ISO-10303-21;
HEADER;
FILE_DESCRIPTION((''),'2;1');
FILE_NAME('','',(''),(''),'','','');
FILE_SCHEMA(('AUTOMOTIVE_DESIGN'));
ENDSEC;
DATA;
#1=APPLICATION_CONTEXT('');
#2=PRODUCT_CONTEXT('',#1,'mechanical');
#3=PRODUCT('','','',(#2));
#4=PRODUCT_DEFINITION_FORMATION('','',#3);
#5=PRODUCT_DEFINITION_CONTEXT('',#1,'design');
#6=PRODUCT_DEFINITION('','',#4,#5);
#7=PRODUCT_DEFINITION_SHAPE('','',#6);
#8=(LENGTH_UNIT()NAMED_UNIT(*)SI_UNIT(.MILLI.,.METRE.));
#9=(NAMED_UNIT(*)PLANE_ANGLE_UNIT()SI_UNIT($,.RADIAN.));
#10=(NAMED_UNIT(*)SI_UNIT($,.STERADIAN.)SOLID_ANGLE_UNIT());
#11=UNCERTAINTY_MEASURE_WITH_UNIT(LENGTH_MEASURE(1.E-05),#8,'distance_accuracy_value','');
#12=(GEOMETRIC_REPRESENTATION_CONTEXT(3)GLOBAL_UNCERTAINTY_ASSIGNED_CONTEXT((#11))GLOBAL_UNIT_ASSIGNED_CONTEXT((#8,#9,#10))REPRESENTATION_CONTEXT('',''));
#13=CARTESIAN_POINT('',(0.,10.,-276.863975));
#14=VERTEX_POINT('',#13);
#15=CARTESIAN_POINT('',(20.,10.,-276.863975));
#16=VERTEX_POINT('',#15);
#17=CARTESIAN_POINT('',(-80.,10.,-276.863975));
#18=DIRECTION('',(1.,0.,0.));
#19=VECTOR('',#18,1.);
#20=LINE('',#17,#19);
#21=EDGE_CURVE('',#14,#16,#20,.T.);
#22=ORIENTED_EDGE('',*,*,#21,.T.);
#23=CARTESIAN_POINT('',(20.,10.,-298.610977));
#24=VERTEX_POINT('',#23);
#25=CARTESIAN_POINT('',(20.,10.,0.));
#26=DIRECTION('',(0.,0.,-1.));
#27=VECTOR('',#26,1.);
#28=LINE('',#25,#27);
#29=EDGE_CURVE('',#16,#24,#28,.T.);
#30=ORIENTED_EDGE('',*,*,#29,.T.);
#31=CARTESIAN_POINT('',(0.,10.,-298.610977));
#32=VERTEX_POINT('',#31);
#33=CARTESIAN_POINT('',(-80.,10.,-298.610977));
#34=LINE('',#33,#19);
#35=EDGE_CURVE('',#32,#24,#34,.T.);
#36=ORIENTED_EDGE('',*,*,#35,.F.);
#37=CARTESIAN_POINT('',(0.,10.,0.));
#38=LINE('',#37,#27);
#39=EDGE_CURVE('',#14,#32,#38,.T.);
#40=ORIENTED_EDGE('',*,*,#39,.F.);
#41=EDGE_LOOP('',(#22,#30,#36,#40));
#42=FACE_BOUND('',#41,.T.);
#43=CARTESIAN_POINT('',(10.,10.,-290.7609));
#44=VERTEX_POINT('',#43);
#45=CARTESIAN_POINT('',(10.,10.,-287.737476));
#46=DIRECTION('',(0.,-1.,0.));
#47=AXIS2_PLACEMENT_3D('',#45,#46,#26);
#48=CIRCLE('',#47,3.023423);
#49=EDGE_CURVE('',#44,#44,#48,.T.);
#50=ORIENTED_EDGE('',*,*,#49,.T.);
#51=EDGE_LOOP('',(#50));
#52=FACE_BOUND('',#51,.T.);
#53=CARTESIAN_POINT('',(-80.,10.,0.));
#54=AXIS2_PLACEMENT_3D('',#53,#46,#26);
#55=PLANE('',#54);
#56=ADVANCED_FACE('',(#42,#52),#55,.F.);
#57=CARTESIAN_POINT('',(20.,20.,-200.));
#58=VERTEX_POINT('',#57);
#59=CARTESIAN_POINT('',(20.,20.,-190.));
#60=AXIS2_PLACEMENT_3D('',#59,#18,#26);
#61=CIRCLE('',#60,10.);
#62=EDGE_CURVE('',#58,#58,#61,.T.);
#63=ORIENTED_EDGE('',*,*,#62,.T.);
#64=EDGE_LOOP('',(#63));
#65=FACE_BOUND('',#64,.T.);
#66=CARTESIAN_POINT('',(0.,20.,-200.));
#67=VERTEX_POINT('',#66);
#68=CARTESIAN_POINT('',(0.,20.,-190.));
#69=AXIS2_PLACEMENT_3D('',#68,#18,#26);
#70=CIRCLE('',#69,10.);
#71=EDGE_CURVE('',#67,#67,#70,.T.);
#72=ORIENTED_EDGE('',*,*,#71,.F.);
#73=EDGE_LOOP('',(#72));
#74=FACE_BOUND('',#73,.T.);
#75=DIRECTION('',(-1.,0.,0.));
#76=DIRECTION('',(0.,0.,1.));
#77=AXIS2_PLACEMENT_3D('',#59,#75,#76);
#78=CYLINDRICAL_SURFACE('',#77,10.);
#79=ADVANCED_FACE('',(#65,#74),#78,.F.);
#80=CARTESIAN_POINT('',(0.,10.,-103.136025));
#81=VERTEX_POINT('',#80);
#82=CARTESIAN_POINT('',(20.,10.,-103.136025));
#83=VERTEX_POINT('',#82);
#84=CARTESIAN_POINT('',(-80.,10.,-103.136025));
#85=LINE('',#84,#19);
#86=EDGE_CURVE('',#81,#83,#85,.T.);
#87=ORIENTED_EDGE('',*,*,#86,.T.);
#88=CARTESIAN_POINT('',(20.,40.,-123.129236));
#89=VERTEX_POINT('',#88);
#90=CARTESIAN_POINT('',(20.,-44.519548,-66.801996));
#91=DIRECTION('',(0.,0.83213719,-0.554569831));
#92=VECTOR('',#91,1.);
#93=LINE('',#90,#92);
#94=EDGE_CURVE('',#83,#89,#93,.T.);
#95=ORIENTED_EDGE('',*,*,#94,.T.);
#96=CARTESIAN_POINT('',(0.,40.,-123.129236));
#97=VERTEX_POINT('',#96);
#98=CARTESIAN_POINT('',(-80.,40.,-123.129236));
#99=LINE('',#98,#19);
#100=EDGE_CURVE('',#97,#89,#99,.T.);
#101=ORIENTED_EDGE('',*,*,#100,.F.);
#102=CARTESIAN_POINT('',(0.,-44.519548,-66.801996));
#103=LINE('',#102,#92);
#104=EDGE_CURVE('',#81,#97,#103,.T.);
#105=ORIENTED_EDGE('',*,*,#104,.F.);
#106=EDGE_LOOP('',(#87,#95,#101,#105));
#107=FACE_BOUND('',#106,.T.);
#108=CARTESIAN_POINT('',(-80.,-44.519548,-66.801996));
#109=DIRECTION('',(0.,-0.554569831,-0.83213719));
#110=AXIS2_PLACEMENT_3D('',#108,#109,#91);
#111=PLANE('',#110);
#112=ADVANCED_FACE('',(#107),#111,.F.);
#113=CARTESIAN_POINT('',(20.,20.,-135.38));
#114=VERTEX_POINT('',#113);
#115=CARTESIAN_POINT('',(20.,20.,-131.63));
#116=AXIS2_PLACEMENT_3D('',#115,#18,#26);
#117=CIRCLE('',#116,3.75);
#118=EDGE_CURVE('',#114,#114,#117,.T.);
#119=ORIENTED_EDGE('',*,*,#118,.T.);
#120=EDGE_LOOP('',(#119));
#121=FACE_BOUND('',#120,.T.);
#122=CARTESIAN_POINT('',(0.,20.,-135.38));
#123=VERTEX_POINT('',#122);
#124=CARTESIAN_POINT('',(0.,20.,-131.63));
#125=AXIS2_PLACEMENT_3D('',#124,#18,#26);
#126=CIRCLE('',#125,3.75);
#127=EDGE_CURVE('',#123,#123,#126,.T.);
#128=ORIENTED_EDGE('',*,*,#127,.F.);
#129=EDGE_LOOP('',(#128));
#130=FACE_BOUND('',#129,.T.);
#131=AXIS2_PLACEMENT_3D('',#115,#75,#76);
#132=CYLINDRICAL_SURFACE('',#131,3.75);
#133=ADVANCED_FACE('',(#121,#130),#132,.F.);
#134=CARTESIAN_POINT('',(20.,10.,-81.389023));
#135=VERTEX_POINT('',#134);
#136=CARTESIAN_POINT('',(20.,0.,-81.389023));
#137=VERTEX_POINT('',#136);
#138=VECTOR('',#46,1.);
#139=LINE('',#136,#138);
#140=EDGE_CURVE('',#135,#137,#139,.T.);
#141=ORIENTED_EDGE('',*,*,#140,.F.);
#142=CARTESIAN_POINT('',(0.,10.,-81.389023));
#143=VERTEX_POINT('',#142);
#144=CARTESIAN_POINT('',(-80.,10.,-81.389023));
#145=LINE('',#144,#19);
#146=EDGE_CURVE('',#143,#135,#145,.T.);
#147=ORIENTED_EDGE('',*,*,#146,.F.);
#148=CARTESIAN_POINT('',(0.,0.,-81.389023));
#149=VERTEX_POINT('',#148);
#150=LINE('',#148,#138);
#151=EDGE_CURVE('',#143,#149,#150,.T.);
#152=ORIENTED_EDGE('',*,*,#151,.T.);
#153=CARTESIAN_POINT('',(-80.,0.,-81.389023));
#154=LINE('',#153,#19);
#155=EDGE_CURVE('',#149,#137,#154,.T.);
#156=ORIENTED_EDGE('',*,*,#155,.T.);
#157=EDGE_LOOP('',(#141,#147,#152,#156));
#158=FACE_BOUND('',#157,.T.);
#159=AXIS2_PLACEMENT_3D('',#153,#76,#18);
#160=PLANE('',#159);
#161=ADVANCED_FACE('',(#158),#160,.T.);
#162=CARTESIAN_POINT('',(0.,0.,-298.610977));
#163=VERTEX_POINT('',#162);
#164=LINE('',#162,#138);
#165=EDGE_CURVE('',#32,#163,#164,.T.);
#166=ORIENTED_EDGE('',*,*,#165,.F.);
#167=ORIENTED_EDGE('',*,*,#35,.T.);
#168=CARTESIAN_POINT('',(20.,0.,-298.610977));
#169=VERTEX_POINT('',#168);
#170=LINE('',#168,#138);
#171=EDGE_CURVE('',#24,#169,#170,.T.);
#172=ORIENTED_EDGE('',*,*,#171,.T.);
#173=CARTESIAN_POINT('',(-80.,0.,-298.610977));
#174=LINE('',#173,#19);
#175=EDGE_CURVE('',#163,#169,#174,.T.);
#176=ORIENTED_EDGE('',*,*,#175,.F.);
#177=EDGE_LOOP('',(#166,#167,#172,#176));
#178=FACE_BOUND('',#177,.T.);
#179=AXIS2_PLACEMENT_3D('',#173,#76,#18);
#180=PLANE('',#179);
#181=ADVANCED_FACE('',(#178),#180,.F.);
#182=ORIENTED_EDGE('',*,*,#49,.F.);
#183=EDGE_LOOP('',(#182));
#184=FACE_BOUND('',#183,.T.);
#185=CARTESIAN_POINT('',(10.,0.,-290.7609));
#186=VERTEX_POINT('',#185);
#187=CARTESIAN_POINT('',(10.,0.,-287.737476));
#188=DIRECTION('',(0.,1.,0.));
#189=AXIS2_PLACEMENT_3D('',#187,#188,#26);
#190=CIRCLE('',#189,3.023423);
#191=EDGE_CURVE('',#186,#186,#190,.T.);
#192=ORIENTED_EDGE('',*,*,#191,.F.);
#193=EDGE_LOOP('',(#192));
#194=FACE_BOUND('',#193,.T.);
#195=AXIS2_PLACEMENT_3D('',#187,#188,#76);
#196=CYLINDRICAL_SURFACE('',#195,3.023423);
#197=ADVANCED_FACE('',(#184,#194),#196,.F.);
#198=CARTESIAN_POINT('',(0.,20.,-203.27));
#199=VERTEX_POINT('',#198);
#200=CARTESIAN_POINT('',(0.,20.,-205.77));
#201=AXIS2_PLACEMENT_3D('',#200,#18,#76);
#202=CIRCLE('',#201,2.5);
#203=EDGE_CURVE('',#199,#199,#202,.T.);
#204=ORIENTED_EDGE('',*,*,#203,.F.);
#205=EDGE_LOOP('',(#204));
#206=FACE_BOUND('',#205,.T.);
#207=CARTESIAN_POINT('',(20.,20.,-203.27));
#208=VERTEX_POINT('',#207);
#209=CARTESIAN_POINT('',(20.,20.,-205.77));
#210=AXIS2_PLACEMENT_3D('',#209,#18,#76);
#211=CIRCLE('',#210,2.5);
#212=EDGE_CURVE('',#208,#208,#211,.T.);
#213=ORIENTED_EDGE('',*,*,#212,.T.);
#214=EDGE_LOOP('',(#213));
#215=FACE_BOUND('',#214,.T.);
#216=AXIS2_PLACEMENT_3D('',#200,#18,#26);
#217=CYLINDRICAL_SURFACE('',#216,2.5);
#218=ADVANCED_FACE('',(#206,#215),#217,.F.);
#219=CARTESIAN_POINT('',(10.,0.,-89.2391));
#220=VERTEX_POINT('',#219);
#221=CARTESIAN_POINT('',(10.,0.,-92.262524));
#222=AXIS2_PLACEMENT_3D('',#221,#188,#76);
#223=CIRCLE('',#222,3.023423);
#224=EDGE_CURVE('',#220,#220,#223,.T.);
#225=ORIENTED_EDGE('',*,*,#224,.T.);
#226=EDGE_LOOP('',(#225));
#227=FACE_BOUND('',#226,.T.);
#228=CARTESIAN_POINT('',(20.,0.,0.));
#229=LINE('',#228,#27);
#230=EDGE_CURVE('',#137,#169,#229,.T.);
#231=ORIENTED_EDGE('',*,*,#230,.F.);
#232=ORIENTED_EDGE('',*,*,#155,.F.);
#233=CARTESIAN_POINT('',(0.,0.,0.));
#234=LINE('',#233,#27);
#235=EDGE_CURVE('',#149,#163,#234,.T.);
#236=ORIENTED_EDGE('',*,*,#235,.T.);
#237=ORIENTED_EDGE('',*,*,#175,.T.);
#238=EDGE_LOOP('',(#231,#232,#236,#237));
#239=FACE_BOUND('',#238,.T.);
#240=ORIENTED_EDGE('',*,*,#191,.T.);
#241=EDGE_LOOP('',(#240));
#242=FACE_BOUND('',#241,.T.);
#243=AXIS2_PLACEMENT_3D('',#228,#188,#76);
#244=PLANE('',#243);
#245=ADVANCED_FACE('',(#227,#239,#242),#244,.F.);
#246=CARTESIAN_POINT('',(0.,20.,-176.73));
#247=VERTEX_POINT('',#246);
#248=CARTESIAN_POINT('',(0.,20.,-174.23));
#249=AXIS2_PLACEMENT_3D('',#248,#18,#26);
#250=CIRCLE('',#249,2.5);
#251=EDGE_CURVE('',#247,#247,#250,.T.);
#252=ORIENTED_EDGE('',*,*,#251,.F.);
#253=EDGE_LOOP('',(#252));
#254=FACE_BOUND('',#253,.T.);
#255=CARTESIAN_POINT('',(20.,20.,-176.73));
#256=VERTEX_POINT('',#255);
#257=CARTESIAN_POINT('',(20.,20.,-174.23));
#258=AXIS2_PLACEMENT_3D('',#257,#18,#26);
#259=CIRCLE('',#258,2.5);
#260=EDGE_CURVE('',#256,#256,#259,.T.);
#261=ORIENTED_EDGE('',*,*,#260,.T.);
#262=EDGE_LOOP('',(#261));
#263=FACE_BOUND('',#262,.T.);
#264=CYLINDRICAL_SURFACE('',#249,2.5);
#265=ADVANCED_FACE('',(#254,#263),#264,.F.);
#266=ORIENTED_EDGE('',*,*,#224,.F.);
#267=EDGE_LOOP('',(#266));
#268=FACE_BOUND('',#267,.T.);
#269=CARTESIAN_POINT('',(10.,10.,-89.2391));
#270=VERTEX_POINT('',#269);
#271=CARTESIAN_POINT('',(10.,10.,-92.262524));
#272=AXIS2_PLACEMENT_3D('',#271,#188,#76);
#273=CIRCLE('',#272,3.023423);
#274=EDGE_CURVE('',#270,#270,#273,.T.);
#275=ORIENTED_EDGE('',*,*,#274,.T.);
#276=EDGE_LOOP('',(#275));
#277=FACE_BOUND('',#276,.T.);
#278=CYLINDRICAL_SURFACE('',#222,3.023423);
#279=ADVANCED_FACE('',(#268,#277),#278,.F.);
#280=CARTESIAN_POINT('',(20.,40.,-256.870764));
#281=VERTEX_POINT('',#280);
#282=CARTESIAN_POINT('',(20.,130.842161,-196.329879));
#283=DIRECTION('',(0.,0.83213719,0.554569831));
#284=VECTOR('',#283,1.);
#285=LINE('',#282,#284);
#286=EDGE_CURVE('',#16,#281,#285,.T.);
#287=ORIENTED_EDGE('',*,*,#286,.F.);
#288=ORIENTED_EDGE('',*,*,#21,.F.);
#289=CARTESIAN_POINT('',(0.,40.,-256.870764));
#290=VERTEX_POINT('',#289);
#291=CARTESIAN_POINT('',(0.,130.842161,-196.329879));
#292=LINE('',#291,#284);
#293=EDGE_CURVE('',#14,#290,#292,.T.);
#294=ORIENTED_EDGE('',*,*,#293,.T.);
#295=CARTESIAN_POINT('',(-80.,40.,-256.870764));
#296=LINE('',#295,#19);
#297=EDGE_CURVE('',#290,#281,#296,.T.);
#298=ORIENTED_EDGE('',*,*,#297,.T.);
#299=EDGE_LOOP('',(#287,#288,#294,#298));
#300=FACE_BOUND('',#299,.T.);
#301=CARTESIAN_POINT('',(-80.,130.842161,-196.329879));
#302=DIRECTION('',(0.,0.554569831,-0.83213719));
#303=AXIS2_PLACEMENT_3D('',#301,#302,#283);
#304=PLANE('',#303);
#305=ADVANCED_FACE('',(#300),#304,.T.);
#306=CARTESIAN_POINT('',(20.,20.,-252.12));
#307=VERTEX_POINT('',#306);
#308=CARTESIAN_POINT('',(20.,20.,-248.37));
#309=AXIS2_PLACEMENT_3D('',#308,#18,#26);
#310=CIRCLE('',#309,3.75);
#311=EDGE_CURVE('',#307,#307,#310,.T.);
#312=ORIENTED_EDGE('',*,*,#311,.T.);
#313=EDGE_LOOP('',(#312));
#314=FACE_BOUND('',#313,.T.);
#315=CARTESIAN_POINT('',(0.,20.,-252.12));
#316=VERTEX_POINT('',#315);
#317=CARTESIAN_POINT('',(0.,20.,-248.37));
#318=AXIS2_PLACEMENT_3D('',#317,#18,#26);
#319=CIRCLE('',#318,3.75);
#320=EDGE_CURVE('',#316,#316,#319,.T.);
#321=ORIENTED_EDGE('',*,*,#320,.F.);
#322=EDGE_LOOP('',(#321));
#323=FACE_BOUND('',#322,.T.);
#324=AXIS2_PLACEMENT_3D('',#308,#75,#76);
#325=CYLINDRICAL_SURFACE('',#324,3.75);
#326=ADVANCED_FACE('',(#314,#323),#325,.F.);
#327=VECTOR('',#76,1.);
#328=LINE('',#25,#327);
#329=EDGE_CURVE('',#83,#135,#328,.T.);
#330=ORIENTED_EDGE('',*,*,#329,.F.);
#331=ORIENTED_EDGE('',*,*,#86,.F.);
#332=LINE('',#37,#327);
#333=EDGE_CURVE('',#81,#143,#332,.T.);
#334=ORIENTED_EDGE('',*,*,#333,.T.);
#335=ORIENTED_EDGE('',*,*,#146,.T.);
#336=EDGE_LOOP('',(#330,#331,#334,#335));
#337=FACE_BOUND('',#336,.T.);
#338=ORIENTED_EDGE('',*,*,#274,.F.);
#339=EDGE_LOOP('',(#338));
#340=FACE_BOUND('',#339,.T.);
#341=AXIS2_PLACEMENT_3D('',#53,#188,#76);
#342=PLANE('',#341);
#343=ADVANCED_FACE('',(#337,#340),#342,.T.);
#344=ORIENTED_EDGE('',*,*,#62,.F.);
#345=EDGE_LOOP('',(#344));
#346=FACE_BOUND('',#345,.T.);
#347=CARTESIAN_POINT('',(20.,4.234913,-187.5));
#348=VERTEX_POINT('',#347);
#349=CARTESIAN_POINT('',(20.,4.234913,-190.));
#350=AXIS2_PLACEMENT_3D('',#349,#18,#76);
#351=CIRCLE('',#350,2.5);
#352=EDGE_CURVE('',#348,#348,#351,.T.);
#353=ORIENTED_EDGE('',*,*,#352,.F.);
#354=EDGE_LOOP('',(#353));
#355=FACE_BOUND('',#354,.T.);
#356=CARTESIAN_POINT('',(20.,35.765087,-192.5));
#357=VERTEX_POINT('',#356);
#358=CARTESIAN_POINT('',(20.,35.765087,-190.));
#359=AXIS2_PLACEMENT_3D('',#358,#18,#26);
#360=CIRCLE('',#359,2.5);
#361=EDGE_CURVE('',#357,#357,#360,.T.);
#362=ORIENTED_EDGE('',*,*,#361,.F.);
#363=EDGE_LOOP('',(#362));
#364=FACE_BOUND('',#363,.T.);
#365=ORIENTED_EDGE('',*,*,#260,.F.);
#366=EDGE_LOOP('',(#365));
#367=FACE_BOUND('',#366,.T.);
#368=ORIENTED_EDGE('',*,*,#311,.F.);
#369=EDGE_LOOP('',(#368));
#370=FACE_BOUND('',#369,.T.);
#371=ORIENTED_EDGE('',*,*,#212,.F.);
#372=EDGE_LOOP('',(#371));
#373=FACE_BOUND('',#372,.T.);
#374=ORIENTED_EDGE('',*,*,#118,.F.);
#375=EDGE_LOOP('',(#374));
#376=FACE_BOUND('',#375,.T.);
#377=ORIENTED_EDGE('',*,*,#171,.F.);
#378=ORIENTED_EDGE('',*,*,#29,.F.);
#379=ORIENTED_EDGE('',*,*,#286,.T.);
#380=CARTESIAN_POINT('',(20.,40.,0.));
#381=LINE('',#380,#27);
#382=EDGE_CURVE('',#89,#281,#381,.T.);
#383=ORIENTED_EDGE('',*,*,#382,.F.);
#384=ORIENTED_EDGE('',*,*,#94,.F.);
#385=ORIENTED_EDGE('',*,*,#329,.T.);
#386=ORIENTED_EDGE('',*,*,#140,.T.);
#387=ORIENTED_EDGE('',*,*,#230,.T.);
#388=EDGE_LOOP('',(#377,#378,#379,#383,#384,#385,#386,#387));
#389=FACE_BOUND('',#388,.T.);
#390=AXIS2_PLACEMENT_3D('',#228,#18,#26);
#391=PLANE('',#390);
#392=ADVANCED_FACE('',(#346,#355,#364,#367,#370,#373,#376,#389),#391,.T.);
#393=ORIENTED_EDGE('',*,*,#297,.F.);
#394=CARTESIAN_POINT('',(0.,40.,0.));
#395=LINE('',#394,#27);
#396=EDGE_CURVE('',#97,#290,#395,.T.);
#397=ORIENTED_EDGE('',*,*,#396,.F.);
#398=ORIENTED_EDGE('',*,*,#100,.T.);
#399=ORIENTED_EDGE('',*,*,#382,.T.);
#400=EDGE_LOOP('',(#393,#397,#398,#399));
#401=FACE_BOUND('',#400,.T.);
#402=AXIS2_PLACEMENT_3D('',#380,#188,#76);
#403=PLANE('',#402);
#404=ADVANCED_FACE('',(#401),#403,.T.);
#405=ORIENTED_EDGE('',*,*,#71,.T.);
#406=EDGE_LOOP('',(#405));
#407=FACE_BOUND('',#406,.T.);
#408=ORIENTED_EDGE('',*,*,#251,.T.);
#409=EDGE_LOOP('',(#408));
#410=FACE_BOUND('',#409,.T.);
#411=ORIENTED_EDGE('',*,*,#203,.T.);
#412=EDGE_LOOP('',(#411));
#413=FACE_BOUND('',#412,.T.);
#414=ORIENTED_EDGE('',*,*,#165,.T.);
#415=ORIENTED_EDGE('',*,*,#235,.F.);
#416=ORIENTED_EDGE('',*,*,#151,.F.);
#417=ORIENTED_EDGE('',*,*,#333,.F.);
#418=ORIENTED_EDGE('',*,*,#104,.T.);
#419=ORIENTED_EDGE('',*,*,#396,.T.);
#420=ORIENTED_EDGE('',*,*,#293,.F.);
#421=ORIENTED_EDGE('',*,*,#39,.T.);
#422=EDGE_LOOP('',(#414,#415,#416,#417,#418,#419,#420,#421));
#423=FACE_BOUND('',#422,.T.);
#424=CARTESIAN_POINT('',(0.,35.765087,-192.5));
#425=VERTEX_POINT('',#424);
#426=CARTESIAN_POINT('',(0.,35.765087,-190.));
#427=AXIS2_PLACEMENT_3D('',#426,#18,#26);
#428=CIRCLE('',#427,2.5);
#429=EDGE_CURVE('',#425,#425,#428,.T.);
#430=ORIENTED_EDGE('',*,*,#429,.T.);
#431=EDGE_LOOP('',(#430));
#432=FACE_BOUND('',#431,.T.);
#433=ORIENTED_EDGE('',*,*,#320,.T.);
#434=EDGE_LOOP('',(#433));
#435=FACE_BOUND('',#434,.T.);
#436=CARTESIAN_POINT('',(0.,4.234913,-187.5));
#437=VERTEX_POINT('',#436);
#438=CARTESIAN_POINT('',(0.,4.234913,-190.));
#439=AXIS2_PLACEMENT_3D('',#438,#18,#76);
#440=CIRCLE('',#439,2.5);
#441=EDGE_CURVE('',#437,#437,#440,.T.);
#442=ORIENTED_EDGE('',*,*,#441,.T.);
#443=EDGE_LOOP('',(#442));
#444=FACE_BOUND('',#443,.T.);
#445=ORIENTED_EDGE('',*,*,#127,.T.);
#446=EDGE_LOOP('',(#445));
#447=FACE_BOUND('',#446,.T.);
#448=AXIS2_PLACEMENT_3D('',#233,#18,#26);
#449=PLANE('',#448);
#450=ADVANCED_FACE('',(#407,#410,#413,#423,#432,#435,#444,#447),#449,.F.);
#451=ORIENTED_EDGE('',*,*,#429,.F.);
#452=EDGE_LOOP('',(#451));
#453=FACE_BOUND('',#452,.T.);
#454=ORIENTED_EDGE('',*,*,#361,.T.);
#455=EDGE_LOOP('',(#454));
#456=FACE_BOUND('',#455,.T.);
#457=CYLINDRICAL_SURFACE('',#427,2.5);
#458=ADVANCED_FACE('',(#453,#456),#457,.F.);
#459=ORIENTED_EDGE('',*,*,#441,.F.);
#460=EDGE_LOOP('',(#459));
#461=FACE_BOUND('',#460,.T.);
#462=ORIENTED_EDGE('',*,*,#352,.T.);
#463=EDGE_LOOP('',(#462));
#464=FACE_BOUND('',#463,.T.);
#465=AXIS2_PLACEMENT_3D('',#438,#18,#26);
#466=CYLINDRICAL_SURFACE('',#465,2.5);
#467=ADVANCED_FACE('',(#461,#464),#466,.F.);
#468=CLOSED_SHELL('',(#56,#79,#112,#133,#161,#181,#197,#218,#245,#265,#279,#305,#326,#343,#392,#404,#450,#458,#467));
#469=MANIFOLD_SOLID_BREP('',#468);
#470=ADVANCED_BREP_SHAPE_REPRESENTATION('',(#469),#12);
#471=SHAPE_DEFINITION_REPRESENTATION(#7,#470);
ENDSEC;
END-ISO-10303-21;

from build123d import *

# Parameters (mm, degrees)
SKETCH2_W               = 380
SKETCH2_H               = 40
SKETCH2_R               = 10
SKETCH2_R_2             = 3.75
BOSS_EXTRUDE2_DEPTH     = 20
CUT_EXTRUDE1_DEPTH      = 100
CUT_EXTRUDE2_DEPTH      = 301.779846116
CUT_EXTRUDE2_DEPTH_BACK = 301.779846116
SKETCH5_R               = 3.023423491
SKETCH8_R               = 2.5
CUT_EXTRUDE3_DEPTH      = 302.941245658


with BuildPart() as part:
    # Sketch2 → Boss-Extrude2 (new body)
    with BuildSketch(Plane(origin=(0, 0, 0), x_dir=(0, 0, -1), z_dir=(1, 0, 0))):
        with Locations((190, 20)):
            Rectangle(SKETCH2_W, SKETCH2_H)
        with Locations((190, 20)):
            Circle(SKETCH2_R, mode=Mode.SUBTRACT)
        with Locations((131.63, 20)):
            Circle(SKETCH2_R_2, mode=Mode.SUBTRACT)
        with Locations((248.37, 20)):
            Circle(SKETCH2_R_2, mode=Mode.SUBTRACT)
    extrude(amount=BOSS_EXTRUDE2_DEPTH)

    # Sketch4 → Cut-Extrude1 (cut)
    with BuildSketch(Plane(origin=(20, 0, 0), x_dir=(0, 0, -1), z_dir=(1, 0, 0))):
        Polygon((123.129236316, 40), (0, 40), (0, 0), (81.389022591, 0), (81.389022591, 10), (103.1360247, 10), align=None)
        Polygon((298.610977409, 10), (298.610977409, 0), (380, 0), (380, 40), (256.870763684, 40), (276.8639753, 10), align=None)
    extrude(amount=-CUT_EXTRUDE1_DEPTH, mode=Mode.SUBTRACT)

    # Sketch5 → Cut-Extrude2 (cut, two sides: drawn at the far end of the back side and taken through both)
    with BuildSketch(Plane(origin=(0, 10, 0), x_dir=(1, 0, 0), z_dir=(0, 1, 0)).offset(-CUT_EXTRUDE2_DEPTH_BACK)):
        with Locations(Location((10, 92.262523645, 0), (0, 0, 270))):
            Circle(SKETCH5_R)
        with Locations(Location((10, 287.737476355, 0), (0, 0, 90))):
            Circle(SKETCH5_R)
    extrude(amount=CUT_EXTRUDE2_DEPTH + CUT_EXTRUDE2_DEPTH_BACK, mode=Mode.SUBTRACT)

    # Sketch8 → Cut-Extrude3 (cut, through all)
    with BuildSketch(Plane(origin=(20, 0, 0), x_dir=(0, 0, -1), z_dir=(1, 0, 0))):
        with Locations((190, 35.7650867)):
            Circle(SKETCH8_R)
        with Locations(Location((190, 4.2349133, 0), (0, 0, 180))):
            Circle(SKETCH8_R)
        with Locations((174.23, 20)):
            Circle(SKETCH8_R)
        with Locations(Location((205.77, 20, 0), (0, 0, 180))):
            Circle(SKETCH8_R)
    extrude(amount=-CUT_EXTRUDE3_DEPTH, mode=Mode.SUBTRACT)


solid = part.part
